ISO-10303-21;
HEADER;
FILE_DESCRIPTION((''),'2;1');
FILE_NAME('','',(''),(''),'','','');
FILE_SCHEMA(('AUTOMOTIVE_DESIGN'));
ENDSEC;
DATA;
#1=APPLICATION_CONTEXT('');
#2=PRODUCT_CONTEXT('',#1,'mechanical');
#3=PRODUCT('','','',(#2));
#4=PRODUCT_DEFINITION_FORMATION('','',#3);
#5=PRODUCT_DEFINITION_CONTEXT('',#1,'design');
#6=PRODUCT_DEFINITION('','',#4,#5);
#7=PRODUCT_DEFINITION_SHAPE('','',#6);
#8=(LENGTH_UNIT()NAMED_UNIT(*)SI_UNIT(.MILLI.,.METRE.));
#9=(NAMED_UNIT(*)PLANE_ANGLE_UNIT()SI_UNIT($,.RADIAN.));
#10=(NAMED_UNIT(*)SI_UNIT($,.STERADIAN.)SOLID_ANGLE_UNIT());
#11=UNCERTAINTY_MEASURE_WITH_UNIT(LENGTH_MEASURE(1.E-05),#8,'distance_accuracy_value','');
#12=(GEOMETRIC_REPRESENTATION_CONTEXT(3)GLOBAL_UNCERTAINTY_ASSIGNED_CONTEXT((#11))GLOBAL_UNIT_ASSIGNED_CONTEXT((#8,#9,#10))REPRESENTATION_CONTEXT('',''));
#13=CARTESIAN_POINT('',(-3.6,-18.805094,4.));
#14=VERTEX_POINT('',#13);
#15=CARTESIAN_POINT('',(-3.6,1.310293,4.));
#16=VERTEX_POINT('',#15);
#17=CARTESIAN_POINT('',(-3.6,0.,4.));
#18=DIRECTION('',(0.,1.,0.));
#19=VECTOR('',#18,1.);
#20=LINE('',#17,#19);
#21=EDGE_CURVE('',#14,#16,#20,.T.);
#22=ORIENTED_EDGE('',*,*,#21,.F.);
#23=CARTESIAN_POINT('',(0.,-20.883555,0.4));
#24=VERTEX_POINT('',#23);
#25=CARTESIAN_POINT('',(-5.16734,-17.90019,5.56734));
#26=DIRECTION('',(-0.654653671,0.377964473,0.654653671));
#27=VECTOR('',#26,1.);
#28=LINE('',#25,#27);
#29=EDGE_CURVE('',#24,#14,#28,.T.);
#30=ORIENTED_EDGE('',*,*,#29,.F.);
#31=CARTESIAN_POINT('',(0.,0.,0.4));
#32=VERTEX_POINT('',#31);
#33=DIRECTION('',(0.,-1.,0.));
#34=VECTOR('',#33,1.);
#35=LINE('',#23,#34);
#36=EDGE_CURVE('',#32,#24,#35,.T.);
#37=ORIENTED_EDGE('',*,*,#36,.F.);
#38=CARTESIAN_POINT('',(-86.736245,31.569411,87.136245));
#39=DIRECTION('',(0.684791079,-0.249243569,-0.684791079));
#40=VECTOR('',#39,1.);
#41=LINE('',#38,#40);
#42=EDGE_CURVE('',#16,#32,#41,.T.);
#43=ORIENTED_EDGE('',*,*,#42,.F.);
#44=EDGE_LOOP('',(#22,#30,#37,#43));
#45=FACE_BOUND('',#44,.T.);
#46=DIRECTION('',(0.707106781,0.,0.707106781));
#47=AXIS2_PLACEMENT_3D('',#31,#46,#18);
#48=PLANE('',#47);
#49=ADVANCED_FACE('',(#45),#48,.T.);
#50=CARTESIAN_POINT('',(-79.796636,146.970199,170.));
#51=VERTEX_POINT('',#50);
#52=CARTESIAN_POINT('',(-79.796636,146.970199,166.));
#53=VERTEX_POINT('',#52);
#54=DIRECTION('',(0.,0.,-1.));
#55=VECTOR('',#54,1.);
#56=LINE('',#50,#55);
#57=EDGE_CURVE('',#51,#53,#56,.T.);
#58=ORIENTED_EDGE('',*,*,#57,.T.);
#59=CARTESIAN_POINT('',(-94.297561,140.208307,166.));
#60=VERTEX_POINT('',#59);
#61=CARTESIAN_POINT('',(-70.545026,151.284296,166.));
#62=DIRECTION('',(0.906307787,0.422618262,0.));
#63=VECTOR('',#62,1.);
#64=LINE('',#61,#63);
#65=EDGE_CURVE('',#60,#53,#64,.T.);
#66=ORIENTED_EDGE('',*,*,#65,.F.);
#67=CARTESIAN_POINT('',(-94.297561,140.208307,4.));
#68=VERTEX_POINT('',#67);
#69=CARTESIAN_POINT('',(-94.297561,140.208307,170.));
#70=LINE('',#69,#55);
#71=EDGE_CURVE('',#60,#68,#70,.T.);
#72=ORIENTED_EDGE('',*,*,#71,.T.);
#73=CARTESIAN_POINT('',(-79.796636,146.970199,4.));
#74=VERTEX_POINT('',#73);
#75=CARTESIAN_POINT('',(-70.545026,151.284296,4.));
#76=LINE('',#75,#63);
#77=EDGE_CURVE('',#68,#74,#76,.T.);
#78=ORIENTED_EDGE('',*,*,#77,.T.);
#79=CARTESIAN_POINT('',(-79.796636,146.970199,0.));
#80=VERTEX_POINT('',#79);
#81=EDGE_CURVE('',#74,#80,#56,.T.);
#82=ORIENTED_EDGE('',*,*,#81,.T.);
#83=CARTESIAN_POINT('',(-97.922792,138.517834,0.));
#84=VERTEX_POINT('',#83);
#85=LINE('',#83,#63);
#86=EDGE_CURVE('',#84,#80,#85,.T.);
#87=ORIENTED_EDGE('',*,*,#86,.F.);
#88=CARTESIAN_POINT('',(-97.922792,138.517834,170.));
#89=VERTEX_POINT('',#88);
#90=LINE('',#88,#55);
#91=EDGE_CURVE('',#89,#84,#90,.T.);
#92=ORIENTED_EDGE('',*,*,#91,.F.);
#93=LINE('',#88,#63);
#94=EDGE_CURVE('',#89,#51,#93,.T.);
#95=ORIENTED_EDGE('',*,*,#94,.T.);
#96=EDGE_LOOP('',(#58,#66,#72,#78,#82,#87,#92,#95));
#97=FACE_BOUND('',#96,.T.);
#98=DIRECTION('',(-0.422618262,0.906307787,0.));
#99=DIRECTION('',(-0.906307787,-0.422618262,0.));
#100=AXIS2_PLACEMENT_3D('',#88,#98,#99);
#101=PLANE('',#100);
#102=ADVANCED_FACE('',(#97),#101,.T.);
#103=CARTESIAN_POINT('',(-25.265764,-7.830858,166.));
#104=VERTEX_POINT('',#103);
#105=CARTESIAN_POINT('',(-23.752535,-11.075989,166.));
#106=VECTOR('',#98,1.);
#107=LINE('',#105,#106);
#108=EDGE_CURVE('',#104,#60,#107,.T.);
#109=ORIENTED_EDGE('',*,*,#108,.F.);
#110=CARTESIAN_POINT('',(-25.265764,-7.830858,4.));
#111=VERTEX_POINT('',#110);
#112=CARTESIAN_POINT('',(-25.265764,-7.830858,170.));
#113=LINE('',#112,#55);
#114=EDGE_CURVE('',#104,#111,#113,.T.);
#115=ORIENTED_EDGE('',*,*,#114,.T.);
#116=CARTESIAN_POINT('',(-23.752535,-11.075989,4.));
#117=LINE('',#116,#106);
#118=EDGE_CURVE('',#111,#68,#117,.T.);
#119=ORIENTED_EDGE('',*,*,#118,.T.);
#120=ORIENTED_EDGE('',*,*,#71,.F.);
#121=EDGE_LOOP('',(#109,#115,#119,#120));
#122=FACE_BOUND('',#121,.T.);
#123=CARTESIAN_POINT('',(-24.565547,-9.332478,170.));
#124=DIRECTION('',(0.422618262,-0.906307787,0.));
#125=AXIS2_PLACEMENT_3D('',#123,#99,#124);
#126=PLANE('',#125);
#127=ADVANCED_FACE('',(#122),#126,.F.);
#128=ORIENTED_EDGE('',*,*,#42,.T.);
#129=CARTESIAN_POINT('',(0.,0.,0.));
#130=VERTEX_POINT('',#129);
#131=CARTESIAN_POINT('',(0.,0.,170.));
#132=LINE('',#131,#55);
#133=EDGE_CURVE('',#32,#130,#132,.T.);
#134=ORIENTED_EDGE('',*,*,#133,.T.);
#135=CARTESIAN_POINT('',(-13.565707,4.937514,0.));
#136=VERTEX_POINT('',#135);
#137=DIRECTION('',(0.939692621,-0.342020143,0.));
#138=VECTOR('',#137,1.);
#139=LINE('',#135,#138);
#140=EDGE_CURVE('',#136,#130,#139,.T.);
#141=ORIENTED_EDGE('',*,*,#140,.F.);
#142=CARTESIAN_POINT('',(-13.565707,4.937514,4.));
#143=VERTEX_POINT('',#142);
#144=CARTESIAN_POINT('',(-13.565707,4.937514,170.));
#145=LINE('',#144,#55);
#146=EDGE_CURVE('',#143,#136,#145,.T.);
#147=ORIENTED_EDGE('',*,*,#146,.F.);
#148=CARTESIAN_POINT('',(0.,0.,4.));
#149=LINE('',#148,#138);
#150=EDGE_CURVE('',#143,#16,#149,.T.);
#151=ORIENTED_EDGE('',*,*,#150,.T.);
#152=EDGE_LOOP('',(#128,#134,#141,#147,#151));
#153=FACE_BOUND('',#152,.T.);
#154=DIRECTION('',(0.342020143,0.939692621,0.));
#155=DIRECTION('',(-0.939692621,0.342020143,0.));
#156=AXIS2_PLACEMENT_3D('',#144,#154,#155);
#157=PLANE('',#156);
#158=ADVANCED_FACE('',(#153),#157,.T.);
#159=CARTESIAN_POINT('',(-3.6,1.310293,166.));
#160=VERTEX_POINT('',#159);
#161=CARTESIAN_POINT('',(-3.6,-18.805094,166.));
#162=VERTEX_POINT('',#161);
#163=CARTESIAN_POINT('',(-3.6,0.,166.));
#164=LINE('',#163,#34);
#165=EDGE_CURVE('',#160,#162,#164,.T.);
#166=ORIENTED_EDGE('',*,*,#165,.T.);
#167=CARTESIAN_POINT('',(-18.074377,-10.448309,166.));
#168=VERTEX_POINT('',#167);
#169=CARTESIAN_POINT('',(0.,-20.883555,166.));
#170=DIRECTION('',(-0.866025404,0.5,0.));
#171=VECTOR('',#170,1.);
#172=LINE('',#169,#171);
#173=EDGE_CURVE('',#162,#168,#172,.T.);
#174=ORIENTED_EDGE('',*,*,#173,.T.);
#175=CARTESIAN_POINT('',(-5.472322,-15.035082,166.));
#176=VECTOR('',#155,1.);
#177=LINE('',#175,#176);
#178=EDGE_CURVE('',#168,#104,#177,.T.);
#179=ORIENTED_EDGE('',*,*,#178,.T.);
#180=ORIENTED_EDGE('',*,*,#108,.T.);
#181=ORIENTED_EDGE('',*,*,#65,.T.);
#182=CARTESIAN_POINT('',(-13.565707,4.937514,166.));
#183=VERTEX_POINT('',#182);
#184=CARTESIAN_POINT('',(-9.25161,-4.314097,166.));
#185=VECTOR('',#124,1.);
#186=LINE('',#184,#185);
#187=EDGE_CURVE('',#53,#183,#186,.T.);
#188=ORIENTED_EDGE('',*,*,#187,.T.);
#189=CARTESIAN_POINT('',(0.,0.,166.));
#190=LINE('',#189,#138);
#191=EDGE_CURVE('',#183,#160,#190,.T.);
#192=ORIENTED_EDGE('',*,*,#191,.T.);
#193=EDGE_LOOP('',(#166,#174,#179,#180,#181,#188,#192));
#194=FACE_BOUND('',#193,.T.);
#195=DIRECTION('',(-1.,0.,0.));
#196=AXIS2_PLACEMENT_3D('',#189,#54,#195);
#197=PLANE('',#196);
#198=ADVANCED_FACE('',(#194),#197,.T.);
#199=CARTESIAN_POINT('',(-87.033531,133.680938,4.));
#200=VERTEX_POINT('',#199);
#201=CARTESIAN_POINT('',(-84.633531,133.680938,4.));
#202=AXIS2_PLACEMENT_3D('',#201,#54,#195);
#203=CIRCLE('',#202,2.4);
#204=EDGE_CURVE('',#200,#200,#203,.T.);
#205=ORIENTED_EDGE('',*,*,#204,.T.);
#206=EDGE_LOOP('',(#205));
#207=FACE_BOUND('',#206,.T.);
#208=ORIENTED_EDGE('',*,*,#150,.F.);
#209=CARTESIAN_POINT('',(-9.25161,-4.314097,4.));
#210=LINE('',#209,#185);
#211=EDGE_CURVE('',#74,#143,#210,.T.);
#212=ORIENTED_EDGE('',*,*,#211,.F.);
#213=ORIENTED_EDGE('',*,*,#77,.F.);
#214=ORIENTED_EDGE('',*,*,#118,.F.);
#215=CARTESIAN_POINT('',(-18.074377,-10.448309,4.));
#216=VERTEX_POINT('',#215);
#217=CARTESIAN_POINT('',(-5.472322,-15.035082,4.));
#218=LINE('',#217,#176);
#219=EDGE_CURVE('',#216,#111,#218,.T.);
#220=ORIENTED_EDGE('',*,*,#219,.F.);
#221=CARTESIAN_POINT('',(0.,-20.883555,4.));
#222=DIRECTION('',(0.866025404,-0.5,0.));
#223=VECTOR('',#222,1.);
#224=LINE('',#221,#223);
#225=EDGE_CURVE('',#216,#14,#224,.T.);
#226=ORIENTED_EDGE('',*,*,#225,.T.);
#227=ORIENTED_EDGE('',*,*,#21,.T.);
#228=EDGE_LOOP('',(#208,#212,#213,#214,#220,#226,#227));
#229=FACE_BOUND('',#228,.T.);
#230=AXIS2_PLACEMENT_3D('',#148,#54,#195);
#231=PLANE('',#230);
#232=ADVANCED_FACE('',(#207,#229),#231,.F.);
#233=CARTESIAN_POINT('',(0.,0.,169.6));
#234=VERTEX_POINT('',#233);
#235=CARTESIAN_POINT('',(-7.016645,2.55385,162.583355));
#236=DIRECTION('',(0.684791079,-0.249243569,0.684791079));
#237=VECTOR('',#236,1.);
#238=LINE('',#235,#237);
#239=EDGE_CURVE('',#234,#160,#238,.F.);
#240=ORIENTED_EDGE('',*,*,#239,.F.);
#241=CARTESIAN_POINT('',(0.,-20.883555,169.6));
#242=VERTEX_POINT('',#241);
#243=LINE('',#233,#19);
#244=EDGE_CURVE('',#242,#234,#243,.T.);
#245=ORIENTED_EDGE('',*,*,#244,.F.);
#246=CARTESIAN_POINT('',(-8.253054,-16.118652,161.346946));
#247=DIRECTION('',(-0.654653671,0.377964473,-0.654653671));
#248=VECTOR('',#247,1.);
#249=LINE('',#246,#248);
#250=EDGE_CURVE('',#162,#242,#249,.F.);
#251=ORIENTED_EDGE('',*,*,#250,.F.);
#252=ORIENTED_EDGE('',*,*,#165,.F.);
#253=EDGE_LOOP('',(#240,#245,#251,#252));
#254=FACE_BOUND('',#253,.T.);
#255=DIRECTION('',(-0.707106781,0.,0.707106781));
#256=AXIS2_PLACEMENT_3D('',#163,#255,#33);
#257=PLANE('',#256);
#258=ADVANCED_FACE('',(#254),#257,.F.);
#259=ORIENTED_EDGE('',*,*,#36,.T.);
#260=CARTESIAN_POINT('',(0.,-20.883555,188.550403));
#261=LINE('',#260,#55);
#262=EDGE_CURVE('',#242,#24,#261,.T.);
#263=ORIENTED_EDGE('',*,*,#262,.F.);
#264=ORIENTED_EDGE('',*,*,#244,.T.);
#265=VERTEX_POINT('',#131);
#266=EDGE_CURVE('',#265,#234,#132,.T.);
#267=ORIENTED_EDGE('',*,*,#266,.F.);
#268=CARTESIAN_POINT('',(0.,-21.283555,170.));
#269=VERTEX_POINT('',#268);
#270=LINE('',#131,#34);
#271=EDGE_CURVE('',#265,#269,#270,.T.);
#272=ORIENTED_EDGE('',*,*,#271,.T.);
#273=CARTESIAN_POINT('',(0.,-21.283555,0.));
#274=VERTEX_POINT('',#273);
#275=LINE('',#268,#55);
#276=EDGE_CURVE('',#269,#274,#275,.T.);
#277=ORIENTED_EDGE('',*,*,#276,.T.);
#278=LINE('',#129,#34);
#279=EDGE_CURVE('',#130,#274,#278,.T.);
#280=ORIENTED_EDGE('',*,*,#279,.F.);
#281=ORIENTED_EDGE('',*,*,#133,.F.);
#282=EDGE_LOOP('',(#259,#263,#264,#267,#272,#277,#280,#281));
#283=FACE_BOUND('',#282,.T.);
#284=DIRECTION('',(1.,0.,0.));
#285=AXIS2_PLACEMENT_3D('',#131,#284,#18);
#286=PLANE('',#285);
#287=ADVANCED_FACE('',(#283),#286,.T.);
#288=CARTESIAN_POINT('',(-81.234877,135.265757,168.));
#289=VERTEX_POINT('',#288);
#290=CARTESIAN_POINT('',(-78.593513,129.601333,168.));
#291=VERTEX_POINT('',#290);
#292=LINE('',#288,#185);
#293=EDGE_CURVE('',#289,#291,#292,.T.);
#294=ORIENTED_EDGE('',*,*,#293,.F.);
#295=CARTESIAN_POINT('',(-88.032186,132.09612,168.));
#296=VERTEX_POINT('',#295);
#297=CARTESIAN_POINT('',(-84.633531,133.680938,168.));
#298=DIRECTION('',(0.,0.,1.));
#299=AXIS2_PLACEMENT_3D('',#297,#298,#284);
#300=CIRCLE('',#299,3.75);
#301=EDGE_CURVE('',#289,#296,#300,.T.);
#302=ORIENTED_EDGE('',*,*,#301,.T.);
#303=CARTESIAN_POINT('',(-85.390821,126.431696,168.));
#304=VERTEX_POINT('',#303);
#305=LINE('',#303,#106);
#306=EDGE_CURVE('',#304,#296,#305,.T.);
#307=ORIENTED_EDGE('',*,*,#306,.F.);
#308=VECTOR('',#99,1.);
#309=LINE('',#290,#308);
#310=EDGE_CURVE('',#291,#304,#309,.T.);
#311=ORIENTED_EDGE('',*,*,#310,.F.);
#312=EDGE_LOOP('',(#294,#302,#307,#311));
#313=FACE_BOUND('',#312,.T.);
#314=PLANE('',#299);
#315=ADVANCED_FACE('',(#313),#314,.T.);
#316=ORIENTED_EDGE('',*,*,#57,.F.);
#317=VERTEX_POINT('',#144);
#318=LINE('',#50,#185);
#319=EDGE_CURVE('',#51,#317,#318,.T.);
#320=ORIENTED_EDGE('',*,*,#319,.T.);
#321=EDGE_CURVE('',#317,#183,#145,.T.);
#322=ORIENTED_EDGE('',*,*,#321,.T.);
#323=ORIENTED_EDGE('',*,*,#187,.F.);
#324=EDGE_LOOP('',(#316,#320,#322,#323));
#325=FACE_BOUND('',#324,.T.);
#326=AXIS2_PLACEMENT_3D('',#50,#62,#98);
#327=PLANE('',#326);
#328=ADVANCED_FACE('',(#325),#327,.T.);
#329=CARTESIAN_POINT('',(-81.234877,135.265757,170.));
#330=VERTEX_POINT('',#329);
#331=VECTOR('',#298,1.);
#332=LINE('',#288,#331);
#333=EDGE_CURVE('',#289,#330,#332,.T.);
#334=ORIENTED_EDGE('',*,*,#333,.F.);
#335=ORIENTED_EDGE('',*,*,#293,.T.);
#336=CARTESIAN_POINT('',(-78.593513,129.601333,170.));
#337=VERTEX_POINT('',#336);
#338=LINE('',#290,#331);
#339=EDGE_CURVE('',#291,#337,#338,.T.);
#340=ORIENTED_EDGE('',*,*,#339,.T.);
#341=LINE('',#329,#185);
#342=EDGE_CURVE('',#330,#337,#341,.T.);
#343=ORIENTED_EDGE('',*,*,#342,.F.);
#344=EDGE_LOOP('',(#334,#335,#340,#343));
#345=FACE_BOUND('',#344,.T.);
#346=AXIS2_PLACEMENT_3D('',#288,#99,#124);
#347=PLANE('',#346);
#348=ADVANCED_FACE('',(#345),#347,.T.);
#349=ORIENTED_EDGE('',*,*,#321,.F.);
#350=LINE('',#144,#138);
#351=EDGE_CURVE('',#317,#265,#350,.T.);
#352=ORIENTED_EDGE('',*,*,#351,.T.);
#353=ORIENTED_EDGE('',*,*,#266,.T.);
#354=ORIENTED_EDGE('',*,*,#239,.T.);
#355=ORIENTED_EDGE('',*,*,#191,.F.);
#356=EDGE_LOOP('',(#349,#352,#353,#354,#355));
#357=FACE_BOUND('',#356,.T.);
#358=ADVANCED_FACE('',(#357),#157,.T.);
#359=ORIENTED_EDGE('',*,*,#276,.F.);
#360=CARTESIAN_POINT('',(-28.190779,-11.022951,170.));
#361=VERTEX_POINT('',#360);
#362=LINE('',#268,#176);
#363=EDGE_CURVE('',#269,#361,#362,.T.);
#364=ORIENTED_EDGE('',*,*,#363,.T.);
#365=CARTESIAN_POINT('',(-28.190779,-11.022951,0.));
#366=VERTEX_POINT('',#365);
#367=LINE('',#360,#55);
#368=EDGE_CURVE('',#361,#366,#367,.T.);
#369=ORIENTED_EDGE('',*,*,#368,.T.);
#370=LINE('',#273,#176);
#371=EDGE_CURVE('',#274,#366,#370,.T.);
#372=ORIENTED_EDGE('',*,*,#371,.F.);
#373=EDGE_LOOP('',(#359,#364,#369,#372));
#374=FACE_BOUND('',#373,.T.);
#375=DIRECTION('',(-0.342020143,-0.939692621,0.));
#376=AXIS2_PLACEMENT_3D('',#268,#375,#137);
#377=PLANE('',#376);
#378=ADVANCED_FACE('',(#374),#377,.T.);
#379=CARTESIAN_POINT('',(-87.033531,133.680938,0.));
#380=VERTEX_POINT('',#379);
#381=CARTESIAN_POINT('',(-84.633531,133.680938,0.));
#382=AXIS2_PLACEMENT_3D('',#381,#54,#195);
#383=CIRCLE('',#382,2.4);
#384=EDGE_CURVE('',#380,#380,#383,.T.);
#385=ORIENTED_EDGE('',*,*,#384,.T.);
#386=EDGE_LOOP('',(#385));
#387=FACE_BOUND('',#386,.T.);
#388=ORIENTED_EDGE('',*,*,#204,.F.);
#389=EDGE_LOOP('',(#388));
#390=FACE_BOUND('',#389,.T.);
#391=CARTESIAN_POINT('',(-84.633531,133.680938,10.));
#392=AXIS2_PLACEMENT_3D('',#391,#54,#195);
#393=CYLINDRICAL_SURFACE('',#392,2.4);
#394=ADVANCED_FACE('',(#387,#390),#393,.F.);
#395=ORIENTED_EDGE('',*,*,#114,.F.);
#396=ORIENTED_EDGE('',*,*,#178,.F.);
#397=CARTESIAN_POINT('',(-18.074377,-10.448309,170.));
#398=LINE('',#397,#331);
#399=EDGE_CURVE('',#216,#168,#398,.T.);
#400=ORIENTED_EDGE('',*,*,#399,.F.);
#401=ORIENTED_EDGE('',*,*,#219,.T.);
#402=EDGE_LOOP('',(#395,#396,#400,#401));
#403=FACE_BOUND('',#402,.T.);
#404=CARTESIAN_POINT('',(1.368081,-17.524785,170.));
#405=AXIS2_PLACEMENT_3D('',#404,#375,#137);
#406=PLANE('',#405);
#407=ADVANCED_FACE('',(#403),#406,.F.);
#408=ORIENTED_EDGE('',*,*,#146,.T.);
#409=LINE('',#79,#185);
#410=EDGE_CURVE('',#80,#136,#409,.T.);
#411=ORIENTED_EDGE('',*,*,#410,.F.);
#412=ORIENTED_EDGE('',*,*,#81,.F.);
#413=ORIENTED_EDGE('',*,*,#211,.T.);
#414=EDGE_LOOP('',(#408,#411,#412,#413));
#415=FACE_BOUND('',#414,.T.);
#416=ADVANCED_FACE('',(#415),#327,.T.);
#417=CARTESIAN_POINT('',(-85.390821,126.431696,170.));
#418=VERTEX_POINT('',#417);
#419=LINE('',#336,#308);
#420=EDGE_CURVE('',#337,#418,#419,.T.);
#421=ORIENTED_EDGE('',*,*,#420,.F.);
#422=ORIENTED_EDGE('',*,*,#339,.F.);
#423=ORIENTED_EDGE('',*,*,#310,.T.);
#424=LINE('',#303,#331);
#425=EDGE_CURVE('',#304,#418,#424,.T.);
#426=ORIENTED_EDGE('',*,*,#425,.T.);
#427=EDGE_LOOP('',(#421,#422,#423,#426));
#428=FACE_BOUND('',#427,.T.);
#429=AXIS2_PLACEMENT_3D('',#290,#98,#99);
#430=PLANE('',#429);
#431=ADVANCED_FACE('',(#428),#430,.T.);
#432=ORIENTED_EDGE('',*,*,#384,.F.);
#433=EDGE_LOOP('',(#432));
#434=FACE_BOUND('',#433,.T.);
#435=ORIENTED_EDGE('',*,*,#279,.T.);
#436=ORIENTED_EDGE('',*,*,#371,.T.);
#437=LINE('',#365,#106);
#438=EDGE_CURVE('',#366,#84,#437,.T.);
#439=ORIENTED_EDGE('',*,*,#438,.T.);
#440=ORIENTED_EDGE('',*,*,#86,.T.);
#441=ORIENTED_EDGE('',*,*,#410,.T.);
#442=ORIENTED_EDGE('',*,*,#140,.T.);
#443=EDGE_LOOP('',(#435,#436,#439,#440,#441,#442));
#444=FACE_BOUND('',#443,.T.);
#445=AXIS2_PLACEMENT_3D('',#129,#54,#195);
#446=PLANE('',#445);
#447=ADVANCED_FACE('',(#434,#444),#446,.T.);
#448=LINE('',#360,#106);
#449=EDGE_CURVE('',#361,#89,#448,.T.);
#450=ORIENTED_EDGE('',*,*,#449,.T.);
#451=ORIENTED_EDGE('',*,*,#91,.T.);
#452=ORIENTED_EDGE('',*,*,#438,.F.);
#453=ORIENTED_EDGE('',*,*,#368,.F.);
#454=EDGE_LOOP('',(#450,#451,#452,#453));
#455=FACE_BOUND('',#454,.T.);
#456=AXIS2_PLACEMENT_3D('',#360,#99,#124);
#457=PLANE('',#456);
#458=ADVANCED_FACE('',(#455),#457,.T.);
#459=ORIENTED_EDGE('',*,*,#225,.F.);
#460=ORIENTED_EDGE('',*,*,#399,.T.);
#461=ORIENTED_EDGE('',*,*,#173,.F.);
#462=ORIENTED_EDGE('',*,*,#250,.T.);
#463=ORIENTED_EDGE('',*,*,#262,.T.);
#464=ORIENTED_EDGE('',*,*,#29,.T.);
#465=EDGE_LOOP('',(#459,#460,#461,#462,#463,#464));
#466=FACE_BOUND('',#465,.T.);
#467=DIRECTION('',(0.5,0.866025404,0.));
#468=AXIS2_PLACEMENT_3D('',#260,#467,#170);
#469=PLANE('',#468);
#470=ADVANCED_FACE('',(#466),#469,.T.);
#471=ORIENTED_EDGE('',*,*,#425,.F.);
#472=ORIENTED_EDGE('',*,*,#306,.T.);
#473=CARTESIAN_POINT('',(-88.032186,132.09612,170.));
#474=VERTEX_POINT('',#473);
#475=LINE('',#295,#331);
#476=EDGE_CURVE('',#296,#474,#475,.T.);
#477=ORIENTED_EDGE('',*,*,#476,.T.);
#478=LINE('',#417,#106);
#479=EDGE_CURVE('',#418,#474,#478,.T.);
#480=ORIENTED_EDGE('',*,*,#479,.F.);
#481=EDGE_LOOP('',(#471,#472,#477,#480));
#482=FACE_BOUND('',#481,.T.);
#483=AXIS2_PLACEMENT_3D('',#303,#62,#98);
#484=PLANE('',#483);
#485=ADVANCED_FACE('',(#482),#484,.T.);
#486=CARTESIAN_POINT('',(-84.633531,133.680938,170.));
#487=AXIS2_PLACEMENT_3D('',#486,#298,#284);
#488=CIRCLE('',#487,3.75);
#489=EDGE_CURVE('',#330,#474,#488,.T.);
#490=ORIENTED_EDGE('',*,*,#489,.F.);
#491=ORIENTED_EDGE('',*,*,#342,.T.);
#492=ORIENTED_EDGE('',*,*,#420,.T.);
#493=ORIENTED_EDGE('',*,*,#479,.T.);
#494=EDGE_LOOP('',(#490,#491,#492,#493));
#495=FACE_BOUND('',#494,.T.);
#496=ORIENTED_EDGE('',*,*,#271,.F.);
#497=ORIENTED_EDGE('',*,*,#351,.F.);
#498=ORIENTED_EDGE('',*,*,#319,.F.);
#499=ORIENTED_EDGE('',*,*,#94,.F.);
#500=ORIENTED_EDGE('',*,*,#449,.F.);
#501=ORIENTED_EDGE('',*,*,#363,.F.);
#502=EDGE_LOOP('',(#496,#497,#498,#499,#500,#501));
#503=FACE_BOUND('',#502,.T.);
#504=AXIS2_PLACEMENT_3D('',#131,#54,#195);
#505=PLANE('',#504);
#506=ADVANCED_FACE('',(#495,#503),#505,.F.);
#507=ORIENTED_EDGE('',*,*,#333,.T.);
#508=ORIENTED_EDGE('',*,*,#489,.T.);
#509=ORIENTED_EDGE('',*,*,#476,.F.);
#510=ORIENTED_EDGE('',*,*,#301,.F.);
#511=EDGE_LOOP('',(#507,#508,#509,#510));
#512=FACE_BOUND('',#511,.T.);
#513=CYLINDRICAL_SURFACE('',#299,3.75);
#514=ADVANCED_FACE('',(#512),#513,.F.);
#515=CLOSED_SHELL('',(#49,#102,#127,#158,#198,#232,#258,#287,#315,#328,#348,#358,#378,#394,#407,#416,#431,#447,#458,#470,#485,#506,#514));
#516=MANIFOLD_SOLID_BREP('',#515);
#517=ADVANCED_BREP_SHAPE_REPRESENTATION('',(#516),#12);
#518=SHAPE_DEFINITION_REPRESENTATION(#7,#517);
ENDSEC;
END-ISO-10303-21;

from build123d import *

# Parameters (mm, degrees)
EXTRUDE_1_DEPTH     = 170
SHELL_7_T           = -4
CUT_EXTRUDE_2_DEPTH = 2
CUT_EXTRUDE_4_DEPTH = 162
CHAMFER_2_SIZE      = 3.6
SKETCH_7_R          = 2.4
CUT_EXTRUDE_5_DEPTH = 10


with BuildPart() as part:
    # 草图1 → 凸台-拉伸1 (new body)
    with BuildSketch(Plane.XY):
        Polygon((0, 0), (0, -21.28355545), (-28.190778624, -11.02295115), (-97.922791811, 138.517833711), (-79.79663607, 146.970198946), (-13.565707197, 4.937513627), align=None)
    extrude(amount=EXTRUDE_1_DEPTH)

    # 抽壳7
    shell_7_openings = [part.faces().sort_by_distance(p)[0] for p in [
        (0, -10.641777725, 85),
        (-6.782853599, 2.468756813, 85),
        (-46.681171634, 75.953856286, 85),
        (-88.85971394, 142.744016329, 85),
    ]]
    offset(amount=SHELL_7_T, openings=shell_7_openings, kind=Kind.INTERSECTION)

    # 草图4 → 切除-拉伸2 (cut)
    with BuildSketch(Plane.XY.offset(170)):
        with BuildLine():
            Line((-81.234877122, 135.26575694), (-78.593512986, 129.601333271))
            Line((-78.593512986, 129.601333271), (-85.390821389, 126.431696308))
            Line((-85.390821389, 126.431696308), (-88.032185524, 132.096119977))
            ThreePointArc((-88.032185524, 132.096119977), (-86.218349805, 137.07959266), (-81.234877122, 135.26575694))
        make_face()
    extrude(amount=-CUT_EXTRUDE_2_DEPTH, mode=Mode.SUBTRACT)

    # 草图2 → 切除-拉伸4 (cut)
    with BuildSketch(Plane.XY.offset(4)):
        Polygon((0, -20.88355545), (-19.529222148, -9.608353785), (0, -9.608353785), align=None)
    extrude(amount=CUT_EXTRUDE_4_DEPTH, mode=Mode.SUBTRACT)

    # 倒角2
    chamfer_2_edges = [part.edges().sort_by_distance(p)[0] for p in [
        (0, -10.441777725, 166),
        (0, -10.441777725, 4),
    ]]
    chamfer(chamfer_2_edges, length=CHAMFER_2_SIZE)

    # 草图7 → 切除-拉伸5 (cut)
    with BuildSketch(Plane(origin=(0, 0, 0), x_dir=(-1, 0, 0), z_dir=(0, 0, -1))):
        with Locations((84.633531323, 133.680938458)):
            Circle(SKETCH_7_R)
    extrude(amount=-CUT_EXTRUDE_5_DEPTH, mode=Mode.SUBTRACT)


solid = part.part
